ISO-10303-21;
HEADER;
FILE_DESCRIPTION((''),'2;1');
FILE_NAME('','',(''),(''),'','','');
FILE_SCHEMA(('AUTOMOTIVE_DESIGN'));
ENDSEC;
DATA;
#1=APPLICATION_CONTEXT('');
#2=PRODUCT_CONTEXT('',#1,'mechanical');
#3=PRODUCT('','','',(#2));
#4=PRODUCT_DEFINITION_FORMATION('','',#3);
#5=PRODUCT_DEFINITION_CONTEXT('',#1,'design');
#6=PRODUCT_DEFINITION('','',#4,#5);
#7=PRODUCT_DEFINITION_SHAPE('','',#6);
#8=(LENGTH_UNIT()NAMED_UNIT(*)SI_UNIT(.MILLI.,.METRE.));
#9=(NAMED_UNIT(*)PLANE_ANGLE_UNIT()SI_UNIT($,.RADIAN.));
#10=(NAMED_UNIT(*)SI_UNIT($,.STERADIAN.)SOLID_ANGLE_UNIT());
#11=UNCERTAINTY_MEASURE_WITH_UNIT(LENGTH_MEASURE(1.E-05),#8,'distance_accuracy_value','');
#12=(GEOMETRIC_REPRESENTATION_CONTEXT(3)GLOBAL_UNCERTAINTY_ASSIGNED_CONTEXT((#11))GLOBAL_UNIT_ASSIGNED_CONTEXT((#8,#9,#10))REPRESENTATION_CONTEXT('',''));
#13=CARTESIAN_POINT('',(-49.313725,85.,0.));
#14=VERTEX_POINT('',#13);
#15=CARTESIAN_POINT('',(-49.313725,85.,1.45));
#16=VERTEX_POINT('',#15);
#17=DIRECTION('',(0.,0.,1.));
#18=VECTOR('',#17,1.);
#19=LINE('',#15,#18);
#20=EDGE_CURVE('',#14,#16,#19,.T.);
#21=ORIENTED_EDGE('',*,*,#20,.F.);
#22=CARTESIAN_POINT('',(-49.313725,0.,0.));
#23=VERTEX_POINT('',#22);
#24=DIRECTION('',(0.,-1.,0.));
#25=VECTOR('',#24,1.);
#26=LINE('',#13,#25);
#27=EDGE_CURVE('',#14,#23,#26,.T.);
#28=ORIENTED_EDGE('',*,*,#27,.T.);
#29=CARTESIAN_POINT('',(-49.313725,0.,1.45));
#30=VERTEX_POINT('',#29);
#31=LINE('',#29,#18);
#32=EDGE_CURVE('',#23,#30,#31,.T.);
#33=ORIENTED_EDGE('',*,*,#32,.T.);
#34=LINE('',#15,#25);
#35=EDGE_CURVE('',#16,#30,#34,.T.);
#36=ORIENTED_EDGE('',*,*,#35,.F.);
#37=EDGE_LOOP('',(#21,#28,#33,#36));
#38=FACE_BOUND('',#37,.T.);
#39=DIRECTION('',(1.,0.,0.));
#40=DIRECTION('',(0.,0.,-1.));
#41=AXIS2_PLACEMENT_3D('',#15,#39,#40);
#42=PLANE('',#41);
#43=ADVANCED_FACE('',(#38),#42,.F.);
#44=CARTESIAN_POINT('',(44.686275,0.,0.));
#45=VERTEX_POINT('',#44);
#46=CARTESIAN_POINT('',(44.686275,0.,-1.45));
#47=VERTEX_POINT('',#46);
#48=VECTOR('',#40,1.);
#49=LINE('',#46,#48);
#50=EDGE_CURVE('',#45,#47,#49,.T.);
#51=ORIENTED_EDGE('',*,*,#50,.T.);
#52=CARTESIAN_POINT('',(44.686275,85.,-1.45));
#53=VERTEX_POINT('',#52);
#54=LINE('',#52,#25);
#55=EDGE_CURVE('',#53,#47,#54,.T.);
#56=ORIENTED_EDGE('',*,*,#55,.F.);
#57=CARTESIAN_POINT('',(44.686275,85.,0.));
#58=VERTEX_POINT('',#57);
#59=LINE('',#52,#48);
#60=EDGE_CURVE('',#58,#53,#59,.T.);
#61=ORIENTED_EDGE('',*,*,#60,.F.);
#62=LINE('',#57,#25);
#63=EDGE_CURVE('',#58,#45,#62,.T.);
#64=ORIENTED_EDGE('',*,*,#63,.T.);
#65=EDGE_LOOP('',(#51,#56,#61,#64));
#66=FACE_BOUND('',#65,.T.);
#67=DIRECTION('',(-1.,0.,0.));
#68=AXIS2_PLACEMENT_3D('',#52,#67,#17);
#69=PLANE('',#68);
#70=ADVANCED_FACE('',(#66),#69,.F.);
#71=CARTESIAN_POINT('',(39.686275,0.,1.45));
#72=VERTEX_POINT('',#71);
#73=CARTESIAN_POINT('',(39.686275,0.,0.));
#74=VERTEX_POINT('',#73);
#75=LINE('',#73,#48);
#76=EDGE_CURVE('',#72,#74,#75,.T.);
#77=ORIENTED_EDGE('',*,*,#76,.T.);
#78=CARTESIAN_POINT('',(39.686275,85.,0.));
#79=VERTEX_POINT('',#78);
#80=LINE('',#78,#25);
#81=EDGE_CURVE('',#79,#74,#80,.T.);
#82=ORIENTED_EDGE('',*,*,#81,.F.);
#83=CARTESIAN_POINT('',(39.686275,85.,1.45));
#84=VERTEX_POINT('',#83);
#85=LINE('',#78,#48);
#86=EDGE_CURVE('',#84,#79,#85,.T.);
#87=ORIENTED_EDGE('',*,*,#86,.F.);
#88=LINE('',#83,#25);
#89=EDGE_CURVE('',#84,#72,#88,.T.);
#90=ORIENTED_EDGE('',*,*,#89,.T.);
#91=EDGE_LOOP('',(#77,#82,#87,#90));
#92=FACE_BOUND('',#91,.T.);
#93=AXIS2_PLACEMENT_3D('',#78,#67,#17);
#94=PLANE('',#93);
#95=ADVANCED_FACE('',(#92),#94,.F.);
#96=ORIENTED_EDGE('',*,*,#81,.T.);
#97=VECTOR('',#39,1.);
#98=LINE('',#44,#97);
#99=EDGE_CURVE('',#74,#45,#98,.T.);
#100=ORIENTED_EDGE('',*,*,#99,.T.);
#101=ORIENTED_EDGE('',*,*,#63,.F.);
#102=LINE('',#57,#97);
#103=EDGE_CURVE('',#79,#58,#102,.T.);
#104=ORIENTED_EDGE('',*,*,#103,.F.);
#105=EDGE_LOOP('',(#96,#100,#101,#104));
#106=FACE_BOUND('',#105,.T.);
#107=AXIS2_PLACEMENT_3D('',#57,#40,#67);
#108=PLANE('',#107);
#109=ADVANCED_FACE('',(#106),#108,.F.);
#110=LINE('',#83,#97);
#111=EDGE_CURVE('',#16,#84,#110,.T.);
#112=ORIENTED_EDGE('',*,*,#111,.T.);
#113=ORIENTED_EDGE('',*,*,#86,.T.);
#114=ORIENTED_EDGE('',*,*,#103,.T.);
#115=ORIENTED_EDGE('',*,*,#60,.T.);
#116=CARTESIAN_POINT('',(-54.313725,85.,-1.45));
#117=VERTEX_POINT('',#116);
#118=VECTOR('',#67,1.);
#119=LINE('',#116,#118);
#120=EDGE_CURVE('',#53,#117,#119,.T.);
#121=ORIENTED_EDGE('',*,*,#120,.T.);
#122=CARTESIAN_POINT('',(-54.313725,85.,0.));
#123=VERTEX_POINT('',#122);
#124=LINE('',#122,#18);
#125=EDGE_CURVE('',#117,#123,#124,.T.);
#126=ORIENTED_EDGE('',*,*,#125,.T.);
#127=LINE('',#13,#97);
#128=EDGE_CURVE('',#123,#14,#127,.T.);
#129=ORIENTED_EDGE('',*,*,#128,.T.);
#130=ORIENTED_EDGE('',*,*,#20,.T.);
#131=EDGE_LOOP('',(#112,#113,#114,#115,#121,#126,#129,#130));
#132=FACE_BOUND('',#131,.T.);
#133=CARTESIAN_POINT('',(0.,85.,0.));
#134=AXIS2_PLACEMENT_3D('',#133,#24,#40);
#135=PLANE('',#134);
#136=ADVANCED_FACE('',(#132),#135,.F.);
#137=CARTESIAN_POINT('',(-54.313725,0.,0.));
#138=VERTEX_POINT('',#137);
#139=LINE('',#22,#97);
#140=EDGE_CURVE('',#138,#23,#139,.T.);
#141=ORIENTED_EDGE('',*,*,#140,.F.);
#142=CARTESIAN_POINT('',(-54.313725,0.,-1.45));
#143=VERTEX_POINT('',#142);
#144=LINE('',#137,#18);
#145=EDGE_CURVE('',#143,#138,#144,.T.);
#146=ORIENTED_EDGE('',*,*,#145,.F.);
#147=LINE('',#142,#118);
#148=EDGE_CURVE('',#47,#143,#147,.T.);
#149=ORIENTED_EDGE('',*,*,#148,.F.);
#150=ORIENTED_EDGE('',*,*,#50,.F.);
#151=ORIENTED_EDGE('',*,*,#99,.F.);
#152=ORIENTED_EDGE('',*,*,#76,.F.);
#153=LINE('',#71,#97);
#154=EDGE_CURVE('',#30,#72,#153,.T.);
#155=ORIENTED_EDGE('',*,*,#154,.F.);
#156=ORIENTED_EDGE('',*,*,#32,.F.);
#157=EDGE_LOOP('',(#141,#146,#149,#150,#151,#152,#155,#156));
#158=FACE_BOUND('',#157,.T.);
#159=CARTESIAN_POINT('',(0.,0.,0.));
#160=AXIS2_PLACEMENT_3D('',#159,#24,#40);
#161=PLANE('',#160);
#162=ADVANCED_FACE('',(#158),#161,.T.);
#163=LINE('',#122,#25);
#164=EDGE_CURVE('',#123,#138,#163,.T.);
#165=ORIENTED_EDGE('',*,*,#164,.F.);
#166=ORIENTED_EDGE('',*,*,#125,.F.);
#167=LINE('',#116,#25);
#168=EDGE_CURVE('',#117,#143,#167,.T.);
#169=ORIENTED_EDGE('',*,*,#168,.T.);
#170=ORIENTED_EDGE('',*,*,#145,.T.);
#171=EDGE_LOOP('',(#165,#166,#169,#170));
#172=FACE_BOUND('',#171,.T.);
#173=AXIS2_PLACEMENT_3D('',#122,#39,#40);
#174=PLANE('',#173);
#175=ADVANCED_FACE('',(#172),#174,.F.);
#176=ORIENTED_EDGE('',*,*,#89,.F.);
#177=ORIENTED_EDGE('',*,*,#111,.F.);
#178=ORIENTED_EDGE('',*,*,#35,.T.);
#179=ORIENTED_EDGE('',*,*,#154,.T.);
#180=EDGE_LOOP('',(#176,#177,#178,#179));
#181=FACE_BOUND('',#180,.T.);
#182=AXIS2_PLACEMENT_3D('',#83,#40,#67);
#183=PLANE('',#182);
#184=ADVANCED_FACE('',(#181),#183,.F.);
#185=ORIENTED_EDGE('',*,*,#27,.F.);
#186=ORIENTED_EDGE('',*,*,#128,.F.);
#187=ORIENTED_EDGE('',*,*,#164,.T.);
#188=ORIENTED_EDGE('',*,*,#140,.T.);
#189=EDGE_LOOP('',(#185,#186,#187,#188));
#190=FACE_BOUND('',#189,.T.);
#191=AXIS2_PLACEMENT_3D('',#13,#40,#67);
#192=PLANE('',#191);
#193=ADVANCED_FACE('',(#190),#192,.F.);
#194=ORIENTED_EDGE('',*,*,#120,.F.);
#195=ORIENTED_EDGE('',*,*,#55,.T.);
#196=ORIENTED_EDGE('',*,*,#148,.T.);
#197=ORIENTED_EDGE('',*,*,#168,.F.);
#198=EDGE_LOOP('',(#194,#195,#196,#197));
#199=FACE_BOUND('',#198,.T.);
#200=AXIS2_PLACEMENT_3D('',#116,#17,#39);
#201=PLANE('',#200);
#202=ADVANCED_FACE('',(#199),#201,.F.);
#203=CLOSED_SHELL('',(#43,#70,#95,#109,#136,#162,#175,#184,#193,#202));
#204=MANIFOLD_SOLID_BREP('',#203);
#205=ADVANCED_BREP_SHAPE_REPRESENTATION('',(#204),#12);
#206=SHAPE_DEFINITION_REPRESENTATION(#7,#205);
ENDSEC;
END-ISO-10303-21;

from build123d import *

# Parameters (mm, degrees)
BOSS_EXTRUDE1_DEPTH = 85


with BuildPart() as part:
    # Sketch2 → Boss-Extrude1 (new body)
    with BuildSketch(Plane(origin=(0, 0, 0), x_dir=(1, 0, 0), z_dir=(0, 1, 0))):
        Polygon((-54.31372549, 1.45), (44.68627451, 1.45), (44.68627451, 0), (39.68627451, 0), (39.68627451, -1.45), (-49.31372549, -1.45), (-49.31372549, 0), (-54.31372549, 0), align=None)
    extrude(amount=BOSS_EXTRUDE1_DEPTH)


solid = part.part
